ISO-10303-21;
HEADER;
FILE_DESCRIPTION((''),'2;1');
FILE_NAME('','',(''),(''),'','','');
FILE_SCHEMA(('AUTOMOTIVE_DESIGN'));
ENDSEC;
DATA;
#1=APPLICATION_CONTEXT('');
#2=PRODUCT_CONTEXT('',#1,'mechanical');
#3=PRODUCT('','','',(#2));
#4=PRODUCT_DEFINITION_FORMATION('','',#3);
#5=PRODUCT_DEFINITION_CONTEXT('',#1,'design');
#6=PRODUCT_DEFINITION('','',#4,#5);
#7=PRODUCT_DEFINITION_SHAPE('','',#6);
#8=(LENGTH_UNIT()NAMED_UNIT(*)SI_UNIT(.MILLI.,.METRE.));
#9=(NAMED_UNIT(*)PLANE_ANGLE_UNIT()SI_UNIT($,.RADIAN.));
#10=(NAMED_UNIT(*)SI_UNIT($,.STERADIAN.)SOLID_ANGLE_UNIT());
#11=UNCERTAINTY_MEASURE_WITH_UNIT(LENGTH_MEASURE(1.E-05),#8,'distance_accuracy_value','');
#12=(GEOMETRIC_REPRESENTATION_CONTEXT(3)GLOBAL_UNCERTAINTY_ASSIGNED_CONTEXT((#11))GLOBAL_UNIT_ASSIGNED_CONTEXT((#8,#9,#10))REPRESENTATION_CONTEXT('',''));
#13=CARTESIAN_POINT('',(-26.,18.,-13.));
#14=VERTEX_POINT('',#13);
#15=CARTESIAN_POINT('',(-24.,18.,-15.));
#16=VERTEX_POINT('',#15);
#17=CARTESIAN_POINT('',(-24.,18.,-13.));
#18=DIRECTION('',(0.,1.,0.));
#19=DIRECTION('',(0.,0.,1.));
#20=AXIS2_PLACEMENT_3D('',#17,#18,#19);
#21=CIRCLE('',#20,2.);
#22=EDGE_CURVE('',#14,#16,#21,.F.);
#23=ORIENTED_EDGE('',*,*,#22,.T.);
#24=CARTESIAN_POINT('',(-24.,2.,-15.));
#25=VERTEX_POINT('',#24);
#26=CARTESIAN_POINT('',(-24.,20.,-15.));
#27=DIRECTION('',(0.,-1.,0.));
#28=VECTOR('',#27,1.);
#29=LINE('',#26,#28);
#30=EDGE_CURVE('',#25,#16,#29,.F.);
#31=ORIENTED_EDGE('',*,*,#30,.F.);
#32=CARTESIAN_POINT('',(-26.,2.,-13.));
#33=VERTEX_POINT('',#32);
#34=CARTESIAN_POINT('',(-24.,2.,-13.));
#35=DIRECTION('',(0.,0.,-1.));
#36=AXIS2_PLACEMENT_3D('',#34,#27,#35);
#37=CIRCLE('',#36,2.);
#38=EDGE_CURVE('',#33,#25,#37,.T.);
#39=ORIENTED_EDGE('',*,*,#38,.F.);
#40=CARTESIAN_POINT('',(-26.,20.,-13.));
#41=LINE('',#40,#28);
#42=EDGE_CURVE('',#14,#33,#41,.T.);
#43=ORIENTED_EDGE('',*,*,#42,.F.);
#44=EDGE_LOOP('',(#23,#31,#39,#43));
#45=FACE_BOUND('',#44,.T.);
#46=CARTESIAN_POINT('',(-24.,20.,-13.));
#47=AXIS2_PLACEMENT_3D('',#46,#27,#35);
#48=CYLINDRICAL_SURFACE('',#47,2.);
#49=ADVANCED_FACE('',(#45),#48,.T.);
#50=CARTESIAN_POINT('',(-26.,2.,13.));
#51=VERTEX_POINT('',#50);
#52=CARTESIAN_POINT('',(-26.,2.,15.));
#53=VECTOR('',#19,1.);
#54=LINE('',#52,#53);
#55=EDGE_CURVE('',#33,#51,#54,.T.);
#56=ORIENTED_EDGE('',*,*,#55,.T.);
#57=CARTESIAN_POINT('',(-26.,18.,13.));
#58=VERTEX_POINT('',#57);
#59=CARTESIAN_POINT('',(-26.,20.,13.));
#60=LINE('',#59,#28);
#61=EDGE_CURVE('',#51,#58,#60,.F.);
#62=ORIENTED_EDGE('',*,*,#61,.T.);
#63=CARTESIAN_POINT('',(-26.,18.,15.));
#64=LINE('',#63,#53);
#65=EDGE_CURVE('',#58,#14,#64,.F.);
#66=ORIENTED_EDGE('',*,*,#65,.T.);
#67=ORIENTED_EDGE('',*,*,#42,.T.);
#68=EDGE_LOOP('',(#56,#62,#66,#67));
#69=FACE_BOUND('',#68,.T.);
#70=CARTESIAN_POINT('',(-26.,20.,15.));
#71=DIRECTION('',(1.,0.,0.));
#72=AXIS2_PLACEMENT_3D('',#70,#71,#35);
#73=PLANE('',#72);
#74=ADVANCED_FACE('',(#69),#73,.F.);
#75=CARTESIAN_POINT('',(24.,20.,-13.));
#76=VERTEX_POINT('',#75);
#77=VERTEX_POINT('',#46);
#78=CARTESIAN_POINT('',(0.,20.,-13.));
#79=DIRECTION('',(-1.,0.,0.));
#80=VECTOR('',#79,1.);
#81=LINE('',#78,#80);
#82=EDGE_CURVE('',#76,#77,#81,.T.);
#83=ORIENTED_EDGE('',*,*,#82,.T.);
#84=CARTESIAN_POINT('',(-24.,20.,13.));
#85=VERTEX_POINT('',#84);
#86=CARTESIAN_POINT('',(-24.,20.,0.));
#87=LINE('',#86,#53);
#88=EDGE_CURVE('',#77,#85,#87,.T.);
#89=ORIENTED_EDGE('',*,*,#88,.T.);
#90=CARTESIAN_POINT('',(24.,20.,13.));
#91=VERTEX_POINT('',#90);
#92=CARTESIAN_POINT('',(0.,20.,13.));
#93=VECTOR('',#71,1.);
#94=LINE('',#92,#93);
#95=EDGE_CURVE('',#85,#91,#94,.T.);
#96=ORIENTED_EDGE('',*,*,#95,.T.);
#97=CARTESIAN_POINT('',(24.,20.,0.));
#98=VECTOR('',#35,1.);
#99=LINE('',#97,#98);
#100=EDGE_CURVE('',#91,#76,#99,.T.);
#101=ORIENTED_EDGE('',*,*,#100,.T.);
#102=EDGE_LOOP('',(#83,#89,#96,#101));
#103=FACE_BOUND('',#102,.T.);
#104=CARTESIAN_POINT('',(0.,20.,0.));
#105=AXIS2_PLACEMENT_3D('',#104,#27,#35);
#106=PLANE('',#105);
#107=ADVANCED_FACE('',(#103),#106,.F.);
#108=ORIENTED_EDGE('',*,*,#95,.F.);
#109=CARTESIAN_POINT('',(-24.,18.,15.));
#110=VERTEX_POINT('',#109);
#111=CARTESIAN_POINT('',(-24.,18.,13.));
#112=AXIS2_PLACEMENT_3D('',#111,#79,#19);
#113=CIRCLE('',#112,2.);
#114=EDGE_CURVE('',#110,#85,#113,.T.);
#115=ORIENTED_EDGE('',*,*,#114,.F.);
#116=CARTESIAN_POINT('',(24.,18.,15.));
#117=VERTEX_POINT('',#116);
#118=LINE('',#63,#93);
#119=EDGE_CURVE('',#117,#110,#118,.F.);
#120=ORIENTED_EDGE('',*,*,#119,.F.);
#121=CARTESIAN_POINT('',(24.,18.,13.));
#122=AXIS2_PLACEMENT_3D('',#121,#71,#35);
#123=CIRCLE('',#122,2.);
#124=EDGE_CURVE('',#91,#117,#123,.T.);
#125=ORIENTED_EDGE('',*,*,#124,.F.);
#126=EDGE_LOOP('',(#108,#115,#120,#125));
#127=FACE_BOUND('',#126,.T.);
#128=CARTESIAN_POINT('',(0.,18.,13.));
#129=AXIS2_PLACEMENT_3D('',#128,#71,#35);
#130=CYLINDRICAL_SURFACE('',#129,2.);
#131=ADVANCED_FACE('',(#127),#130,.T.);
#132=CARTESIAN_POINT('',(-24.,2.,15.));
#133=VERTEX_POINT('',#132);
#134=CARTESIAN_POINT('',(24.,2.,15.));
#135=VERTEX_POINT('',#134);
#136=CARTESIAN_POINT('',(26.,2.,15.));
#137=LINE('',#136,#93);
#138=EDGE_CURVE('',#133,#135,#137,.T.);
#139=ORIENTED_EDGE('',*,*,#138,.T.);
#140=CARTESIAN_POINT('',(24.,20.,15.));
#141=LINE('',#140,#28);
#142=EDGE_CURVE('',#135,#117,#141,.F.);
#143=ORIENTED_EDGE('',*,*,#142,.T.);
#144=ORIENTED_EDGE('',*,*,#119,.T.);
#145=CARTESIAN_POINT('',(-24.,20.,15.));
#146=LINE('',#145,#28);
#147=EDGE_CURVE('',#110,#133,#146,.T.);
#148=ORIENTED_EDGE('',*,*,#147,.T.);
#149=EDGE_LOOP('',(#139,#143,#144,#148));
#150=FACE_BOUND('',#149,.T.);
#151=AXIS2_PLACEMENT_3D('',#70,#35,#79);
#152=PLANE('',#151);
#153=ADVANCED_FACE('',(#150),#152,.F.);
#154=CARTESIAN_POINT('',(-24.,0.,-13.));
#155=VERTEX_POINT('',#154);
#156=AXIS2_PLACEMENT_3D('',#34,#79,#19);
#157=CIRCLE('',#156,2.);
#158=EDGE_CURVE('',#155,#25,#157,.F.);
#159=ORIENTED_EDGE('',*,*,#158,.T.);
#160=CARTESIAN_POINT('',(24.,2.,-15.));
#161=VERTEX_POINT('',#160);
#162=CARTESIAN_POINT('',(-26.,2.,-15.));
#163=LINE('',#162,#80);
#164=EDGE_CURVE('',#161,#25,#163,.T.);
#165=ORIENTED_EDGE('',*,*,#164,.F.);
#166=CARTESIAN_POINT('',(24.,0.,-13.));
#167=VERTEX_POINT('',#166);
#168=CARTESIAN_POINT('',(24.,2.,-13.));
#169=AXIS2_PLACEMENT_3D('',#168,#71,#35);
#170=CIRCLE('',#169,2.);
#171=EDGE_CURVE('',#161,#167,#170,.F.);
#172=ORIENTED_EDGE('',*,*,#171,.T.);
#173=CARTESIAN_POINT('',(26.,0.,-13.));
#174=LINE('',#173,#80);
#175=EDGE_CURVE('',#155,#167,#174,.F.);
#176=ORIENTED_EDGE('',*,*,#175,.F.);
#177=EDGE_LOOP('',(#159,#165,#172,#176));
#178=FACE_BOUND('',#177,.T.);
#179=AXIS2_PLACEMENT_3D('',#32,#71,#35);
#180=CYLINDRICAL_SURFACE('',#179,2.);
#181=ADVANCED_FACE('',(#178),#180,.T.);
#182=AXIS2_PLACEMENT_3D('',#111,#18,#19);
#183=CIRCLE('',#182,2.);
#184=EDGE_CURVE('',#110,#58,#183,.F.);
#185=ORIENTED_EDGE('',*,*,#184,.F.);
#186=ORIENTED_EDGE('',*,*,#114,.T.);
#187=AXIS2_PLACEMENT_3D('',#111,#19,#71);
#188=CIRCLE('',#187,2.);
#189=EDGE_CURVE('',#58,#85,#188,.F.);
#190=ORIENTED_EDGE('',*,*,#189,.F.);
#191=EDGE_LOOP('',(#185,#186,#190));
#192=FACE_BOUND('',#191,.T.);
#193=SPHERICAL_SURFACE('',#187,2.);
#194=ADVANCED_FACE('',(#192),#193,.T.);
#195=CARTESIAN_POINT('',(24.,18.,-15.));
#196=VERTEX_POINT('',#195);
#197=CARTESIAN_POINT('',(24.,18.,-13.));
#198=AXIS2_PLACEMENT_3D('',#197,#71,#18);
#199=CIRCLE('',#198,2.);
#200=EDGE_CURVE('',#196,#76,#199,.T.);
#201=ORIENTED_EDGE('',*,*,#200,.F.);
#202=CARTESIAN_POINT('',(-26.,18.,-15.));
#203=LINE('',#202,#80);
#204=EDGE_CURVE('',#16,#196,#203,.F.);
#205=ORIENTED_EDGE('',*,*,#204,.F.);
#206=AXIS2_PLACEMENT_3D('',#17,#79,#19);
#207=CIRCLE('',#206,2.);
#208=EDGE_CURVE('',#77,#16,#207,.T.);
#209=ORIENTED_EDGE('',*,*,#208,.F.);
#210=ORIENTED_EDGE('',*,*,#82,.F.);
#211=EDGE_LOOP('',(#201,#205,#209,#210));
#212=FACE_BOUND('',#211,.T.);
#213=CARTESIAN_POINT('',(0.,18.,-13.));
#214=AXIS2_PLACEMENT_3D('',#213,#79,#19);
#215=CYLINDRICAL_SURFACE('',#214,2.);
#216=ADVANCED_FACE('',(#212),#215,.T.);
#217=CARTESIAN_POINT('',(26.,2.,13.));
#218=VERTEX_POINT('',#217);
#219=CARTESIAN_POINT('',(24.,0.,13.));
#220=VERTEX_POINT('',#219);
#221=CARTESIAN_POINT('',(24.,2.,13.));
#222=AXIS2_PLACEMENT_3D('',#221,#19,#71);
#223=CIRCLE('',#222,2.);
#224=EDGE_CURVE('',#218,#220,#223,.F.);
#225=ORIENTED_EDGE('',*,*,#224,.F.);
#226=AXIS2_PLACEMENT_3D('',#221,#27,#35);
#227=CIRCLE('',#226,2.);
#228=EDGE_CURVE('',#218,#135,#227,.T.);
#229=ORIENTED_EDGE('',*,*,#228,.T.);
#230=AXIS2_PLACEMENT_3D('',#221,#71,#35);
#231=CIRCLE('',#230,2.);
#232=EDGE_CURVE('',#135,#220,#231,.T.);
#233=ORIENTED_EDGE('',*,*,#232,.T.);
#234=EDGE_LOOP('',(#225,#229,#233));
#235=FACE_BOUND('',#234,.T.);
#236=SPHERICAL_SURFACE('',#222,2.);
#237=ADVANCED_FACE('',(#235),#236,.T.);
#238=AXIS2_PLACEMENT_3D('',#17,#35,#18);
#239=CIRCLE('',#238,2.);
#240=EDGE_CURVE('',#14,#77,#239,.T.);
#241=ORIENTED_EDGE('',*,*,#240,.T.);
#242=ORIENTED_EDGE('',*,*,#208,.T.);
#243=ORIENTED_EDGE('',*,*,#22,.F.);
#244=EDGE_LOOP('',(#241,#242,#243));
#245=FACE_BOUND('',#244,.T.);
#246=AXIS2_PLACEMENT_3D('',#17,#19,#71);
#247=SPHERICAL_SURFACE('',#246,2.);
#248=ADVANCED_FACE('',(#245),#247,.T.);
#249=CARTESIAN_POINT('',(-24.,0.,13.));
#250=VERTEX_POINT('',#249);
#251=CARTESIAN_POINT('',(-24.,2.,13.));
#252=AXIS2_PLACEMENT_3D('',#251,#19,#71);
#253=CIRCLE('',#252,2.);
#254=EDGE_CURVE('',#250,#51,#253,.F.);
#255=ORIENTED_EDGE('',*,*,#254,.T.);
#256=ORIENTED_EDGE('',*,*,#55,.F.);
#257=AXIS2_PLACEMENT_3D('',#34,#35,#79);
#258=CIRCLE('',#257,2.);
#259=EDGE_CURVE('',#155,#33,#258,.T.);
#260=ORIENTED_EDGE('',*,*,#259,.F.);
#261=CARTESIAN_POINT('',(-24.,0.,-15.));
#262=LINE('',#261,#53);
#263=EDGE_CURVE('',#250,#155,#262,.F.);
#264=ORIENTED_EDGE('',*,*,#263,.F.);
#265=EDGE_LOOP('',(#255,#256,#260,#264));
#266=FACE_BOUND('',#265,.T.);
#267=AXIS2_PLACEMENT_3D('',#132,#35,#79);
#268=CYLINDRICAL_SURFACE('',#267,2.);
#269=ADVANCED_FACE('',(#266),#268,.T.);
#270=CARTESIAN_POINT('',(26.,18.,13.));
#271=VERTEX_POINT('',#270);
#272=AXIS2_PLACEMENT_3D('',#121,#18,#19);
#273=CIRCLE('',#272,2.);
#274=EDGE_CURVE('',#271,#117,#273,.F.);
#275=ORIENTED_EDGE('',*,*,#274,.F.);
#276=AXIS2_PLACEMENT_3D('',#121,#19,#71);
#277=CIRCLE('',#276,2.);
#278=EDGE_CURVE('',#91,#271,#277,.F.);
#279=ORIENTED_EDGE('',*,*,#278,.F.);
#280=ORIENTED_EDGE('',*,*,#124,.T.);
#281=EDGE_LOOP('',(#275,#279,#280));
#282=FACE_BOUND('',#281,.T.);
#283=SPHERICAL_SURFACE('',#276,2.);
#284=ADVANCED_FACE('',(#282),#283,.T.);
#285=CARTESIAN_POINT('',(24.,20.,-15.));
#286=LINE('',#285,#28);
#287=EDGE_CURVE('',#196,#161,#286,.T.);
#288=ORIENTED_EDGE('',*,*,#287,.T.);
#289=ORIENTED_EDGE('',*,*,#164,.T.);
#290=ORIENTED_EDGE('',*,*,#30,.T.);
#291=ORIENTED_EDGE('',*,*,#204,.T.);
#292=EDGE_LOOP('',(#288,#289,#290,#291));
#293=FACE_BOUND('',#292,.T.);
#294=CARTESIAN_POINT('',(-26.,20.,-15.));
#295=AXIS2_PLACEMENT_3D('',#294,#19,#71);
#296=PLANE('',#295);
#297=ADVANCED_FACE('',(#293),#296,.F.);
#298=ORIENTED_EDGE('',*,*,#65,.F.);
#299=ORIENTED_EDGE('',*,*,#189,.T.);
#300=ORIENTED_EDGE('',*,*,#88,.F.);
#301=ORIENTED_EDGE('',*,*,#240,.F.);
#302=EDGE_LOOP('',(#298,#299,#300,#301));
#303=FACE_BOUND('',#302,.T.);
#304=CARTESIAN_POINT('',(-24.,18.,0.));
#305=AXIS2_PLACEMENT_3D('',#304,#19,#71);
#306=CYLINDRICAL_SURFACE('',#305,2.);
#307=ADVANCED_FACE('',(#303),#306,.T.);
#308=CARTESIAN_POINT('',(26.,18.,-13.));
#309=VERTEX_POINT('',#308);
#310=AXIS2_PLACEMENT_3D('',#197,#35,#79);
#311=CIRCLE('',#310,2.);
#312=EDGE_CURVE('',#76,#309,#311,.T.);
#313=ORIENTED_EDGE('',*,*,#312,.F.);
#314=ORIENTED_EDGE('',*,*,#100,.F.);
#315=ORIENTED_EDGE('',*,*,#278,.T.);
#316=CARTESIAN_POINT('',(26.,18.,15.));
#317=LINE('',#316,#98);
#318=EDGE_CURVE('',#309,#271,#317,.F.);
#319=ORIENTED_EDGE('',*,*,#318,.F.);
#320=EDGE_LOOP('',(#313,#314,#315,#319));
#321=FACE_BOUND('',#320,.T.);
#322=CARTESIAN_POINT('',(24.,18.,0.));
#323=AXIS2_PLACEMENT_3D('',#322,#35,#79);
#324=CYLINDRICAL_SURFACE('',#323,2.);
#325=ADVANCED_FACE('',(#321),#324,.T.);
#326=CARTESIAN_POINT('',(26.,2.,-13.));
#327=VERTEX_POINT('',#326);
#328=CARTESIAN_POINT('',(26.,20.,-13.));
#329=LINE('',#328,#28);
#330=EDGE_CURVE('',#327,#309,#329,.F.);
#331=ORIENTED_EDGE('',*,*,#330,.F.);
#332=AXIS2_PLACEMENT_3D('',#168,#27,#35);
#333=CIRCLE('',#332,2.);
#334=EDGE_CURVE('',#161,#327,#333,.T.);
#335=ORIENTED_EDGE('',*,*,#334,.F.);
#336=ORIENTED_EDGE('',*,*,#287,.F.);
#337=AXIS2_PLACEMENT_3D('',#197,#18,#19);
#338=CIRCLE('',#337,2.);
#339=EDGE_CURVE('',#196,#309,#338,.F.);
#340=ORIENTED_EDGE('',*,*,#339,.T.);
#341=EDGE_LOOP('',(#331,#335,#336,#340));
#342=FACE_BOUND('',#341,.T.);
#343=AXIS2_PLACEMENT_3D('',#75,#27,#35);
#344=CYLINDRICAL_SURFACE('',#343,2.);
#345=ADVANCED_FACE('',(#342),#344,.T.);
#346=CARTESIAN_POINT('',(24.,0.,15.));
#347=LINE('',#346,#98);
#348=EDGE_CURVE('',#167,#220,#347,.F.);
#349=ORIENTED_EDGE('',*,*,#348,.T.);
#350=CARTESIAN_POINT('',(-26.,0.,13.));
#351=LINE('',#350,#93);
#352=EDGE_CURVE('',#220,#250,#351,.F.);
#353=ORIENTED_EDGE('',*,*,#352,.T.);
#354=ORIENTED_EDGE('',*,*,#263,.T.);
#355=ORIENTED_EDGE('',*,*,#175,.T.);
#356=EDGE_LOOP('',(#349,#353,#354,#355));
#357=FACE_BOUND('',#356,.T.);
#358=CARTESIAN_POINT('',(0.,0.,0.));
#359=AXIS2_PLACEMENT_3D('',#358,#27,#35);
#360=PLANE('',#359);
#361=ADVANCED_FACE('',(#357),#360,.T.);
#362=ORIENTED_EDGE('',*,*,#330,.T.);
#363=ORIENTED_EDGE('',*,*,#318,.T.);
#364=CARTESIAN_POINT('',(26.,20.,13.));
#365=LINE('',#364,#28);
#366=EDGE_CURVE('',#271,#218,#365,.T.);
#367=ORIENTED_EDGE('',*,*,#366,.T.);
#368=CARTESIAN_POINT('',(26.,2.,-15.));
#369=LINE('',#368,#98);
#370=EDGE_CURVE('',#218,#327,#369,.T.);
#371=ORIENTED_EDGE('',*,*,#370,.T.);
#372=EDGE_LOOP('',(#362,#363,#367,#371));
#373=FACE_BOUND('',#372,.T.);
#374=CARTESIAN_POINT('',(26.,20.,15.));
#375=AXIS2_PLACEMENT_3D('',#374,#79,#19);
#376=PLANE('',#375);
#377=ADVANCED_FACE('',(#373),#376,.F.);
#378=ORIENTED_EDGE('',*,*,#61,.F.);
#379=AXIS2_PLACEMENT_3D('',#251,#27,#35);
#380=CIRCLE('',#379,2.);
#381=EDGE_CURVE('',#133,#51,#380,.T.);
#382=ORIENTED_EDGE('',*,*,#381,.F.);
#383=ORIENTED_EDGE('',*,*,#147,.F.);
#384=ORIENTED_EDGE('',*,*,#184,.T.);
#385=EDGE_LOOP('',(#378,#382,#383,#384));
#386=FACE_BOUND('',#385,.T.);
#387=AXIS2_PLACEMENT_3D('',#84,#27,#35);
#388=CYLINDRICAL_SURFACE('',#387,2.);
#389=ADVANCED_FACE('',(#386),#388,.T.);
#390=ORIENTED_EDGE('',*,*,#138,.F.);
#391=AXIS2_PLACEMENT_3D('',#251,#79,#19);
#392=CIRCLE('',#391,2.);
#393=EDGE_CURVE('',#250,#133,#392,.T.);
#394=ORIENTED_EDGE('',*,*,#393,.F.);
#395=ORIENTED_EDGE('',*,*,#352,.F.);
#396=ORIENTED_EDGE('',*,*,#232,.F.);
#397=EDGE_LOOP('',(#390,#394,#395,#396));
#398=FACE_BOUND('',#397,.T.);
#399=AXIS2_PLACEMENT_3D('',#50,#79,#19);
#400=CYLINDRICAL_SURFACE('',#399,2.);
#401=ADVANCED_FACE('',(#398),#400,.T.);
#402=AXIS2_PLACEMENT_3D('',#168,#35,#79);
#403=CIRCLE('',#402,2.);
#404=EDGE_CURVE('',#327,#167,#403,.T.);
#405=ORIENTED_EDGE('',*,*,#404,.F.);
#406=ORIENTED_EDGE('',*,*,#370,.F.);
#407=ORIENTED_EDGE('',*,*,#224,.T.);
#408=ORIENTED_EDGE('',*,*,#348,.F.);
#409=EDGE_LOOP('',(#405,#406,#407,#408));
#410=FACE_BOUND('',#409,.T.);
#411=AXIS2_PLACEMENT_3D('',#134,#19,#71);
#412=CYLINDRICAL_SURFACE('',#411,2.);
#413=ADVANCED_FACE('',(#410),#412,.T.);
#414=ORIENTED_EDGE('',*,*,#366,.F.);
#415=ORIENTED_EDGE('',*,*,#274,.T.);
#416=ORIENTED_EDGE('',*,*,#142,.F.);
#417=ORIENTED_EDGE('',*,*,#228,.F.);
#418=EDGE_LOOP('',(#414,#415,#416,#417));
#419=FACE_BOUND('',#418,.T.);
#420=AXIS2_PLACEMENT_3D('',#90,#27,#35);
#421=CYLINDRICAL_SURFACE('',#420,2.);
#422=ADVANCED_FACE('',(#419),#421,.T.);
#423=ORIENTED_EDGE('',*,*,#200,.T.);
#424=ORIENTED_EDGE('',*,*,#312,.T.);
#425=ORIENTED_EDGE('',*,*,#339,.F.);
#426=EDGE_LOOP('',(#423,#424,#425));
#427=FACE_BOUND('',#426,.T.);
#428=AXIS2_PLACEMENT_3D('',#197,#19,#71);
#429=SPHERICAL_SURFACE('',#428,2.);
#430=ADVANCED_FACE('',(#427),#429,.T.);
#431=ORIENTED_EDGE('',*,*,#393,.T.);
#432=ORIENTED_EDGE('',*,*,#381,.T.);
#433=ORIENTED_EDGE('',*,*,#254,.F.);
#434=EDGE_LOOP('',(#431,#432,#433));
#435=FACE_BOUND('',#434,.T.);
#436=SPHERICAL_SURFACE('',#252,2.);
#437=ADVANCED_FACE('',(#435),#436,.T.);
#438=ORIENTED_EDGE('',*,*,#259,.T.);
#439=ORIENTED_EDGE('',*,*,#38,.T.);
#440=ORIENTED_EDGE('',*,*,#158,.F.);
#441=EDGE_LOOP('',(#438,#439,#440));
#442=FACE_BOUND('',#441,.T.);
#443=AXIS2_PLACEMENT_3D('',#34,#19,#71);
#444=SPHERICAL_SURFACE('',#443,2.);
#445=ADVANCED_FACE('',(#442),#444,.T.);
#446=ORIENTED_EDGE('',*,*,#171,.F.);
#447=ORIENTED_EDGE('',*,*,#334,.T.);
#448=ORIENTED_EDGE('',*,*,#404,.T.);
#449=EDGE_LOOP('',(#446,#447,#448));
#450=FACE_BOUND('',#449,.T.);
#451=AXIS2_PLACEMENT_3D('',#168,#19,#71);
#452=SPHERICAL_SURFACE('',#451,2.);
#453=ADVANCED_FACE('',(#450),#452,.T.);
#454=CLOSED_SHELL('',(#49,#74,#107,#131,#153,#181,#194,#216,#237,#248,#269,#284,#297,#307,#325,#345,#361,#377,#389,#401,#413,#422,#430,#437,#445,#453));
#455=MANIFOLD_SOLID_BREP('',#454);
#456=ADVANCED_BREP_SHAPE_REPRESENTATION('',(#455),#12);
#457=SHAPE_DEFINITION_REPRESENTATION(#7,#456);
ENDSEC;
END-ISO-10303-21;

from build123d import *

# Parameters (mm, degrees)
SKETCH1_W           = 52
SKETCH1_H           = 30
BOSS_EXTRUDE1_DEPTH = 20
FILLET1_R           = 2


with BuildPart() as part:
    # Sketch1 → Boss-Extrude1 (new body)
    with BuildSketch(Plane(origin=(0, 0, 0), x_dir=(1, 0, 0), z_dir=(0, 1, 0))):
        Rectangle(SKETCH1_W, SKETCH1_H)
    extrude(amount=BOSS_EXTRUDE1_DEPTH)

    # Fillet1
    fillet1_edges = [part.edges().sort_by_distance(p)[0] for p in [
        (-26, 20, 0),
        (0, 20, 15),
        (26, 20, 0),
        (0, 0, 15),
        (-26, 0, 0),
        (0, 0, -15),
        (26, 0, 0),
        (0, 20, -15),
        (26, 10, 15),
        (-26, 10, 15),
        (-26, 10, -15),
        (26, 10, -15),
    ]]
    fillet(fillet1_edges, radius=FILLET1_R)


solid = part.part
